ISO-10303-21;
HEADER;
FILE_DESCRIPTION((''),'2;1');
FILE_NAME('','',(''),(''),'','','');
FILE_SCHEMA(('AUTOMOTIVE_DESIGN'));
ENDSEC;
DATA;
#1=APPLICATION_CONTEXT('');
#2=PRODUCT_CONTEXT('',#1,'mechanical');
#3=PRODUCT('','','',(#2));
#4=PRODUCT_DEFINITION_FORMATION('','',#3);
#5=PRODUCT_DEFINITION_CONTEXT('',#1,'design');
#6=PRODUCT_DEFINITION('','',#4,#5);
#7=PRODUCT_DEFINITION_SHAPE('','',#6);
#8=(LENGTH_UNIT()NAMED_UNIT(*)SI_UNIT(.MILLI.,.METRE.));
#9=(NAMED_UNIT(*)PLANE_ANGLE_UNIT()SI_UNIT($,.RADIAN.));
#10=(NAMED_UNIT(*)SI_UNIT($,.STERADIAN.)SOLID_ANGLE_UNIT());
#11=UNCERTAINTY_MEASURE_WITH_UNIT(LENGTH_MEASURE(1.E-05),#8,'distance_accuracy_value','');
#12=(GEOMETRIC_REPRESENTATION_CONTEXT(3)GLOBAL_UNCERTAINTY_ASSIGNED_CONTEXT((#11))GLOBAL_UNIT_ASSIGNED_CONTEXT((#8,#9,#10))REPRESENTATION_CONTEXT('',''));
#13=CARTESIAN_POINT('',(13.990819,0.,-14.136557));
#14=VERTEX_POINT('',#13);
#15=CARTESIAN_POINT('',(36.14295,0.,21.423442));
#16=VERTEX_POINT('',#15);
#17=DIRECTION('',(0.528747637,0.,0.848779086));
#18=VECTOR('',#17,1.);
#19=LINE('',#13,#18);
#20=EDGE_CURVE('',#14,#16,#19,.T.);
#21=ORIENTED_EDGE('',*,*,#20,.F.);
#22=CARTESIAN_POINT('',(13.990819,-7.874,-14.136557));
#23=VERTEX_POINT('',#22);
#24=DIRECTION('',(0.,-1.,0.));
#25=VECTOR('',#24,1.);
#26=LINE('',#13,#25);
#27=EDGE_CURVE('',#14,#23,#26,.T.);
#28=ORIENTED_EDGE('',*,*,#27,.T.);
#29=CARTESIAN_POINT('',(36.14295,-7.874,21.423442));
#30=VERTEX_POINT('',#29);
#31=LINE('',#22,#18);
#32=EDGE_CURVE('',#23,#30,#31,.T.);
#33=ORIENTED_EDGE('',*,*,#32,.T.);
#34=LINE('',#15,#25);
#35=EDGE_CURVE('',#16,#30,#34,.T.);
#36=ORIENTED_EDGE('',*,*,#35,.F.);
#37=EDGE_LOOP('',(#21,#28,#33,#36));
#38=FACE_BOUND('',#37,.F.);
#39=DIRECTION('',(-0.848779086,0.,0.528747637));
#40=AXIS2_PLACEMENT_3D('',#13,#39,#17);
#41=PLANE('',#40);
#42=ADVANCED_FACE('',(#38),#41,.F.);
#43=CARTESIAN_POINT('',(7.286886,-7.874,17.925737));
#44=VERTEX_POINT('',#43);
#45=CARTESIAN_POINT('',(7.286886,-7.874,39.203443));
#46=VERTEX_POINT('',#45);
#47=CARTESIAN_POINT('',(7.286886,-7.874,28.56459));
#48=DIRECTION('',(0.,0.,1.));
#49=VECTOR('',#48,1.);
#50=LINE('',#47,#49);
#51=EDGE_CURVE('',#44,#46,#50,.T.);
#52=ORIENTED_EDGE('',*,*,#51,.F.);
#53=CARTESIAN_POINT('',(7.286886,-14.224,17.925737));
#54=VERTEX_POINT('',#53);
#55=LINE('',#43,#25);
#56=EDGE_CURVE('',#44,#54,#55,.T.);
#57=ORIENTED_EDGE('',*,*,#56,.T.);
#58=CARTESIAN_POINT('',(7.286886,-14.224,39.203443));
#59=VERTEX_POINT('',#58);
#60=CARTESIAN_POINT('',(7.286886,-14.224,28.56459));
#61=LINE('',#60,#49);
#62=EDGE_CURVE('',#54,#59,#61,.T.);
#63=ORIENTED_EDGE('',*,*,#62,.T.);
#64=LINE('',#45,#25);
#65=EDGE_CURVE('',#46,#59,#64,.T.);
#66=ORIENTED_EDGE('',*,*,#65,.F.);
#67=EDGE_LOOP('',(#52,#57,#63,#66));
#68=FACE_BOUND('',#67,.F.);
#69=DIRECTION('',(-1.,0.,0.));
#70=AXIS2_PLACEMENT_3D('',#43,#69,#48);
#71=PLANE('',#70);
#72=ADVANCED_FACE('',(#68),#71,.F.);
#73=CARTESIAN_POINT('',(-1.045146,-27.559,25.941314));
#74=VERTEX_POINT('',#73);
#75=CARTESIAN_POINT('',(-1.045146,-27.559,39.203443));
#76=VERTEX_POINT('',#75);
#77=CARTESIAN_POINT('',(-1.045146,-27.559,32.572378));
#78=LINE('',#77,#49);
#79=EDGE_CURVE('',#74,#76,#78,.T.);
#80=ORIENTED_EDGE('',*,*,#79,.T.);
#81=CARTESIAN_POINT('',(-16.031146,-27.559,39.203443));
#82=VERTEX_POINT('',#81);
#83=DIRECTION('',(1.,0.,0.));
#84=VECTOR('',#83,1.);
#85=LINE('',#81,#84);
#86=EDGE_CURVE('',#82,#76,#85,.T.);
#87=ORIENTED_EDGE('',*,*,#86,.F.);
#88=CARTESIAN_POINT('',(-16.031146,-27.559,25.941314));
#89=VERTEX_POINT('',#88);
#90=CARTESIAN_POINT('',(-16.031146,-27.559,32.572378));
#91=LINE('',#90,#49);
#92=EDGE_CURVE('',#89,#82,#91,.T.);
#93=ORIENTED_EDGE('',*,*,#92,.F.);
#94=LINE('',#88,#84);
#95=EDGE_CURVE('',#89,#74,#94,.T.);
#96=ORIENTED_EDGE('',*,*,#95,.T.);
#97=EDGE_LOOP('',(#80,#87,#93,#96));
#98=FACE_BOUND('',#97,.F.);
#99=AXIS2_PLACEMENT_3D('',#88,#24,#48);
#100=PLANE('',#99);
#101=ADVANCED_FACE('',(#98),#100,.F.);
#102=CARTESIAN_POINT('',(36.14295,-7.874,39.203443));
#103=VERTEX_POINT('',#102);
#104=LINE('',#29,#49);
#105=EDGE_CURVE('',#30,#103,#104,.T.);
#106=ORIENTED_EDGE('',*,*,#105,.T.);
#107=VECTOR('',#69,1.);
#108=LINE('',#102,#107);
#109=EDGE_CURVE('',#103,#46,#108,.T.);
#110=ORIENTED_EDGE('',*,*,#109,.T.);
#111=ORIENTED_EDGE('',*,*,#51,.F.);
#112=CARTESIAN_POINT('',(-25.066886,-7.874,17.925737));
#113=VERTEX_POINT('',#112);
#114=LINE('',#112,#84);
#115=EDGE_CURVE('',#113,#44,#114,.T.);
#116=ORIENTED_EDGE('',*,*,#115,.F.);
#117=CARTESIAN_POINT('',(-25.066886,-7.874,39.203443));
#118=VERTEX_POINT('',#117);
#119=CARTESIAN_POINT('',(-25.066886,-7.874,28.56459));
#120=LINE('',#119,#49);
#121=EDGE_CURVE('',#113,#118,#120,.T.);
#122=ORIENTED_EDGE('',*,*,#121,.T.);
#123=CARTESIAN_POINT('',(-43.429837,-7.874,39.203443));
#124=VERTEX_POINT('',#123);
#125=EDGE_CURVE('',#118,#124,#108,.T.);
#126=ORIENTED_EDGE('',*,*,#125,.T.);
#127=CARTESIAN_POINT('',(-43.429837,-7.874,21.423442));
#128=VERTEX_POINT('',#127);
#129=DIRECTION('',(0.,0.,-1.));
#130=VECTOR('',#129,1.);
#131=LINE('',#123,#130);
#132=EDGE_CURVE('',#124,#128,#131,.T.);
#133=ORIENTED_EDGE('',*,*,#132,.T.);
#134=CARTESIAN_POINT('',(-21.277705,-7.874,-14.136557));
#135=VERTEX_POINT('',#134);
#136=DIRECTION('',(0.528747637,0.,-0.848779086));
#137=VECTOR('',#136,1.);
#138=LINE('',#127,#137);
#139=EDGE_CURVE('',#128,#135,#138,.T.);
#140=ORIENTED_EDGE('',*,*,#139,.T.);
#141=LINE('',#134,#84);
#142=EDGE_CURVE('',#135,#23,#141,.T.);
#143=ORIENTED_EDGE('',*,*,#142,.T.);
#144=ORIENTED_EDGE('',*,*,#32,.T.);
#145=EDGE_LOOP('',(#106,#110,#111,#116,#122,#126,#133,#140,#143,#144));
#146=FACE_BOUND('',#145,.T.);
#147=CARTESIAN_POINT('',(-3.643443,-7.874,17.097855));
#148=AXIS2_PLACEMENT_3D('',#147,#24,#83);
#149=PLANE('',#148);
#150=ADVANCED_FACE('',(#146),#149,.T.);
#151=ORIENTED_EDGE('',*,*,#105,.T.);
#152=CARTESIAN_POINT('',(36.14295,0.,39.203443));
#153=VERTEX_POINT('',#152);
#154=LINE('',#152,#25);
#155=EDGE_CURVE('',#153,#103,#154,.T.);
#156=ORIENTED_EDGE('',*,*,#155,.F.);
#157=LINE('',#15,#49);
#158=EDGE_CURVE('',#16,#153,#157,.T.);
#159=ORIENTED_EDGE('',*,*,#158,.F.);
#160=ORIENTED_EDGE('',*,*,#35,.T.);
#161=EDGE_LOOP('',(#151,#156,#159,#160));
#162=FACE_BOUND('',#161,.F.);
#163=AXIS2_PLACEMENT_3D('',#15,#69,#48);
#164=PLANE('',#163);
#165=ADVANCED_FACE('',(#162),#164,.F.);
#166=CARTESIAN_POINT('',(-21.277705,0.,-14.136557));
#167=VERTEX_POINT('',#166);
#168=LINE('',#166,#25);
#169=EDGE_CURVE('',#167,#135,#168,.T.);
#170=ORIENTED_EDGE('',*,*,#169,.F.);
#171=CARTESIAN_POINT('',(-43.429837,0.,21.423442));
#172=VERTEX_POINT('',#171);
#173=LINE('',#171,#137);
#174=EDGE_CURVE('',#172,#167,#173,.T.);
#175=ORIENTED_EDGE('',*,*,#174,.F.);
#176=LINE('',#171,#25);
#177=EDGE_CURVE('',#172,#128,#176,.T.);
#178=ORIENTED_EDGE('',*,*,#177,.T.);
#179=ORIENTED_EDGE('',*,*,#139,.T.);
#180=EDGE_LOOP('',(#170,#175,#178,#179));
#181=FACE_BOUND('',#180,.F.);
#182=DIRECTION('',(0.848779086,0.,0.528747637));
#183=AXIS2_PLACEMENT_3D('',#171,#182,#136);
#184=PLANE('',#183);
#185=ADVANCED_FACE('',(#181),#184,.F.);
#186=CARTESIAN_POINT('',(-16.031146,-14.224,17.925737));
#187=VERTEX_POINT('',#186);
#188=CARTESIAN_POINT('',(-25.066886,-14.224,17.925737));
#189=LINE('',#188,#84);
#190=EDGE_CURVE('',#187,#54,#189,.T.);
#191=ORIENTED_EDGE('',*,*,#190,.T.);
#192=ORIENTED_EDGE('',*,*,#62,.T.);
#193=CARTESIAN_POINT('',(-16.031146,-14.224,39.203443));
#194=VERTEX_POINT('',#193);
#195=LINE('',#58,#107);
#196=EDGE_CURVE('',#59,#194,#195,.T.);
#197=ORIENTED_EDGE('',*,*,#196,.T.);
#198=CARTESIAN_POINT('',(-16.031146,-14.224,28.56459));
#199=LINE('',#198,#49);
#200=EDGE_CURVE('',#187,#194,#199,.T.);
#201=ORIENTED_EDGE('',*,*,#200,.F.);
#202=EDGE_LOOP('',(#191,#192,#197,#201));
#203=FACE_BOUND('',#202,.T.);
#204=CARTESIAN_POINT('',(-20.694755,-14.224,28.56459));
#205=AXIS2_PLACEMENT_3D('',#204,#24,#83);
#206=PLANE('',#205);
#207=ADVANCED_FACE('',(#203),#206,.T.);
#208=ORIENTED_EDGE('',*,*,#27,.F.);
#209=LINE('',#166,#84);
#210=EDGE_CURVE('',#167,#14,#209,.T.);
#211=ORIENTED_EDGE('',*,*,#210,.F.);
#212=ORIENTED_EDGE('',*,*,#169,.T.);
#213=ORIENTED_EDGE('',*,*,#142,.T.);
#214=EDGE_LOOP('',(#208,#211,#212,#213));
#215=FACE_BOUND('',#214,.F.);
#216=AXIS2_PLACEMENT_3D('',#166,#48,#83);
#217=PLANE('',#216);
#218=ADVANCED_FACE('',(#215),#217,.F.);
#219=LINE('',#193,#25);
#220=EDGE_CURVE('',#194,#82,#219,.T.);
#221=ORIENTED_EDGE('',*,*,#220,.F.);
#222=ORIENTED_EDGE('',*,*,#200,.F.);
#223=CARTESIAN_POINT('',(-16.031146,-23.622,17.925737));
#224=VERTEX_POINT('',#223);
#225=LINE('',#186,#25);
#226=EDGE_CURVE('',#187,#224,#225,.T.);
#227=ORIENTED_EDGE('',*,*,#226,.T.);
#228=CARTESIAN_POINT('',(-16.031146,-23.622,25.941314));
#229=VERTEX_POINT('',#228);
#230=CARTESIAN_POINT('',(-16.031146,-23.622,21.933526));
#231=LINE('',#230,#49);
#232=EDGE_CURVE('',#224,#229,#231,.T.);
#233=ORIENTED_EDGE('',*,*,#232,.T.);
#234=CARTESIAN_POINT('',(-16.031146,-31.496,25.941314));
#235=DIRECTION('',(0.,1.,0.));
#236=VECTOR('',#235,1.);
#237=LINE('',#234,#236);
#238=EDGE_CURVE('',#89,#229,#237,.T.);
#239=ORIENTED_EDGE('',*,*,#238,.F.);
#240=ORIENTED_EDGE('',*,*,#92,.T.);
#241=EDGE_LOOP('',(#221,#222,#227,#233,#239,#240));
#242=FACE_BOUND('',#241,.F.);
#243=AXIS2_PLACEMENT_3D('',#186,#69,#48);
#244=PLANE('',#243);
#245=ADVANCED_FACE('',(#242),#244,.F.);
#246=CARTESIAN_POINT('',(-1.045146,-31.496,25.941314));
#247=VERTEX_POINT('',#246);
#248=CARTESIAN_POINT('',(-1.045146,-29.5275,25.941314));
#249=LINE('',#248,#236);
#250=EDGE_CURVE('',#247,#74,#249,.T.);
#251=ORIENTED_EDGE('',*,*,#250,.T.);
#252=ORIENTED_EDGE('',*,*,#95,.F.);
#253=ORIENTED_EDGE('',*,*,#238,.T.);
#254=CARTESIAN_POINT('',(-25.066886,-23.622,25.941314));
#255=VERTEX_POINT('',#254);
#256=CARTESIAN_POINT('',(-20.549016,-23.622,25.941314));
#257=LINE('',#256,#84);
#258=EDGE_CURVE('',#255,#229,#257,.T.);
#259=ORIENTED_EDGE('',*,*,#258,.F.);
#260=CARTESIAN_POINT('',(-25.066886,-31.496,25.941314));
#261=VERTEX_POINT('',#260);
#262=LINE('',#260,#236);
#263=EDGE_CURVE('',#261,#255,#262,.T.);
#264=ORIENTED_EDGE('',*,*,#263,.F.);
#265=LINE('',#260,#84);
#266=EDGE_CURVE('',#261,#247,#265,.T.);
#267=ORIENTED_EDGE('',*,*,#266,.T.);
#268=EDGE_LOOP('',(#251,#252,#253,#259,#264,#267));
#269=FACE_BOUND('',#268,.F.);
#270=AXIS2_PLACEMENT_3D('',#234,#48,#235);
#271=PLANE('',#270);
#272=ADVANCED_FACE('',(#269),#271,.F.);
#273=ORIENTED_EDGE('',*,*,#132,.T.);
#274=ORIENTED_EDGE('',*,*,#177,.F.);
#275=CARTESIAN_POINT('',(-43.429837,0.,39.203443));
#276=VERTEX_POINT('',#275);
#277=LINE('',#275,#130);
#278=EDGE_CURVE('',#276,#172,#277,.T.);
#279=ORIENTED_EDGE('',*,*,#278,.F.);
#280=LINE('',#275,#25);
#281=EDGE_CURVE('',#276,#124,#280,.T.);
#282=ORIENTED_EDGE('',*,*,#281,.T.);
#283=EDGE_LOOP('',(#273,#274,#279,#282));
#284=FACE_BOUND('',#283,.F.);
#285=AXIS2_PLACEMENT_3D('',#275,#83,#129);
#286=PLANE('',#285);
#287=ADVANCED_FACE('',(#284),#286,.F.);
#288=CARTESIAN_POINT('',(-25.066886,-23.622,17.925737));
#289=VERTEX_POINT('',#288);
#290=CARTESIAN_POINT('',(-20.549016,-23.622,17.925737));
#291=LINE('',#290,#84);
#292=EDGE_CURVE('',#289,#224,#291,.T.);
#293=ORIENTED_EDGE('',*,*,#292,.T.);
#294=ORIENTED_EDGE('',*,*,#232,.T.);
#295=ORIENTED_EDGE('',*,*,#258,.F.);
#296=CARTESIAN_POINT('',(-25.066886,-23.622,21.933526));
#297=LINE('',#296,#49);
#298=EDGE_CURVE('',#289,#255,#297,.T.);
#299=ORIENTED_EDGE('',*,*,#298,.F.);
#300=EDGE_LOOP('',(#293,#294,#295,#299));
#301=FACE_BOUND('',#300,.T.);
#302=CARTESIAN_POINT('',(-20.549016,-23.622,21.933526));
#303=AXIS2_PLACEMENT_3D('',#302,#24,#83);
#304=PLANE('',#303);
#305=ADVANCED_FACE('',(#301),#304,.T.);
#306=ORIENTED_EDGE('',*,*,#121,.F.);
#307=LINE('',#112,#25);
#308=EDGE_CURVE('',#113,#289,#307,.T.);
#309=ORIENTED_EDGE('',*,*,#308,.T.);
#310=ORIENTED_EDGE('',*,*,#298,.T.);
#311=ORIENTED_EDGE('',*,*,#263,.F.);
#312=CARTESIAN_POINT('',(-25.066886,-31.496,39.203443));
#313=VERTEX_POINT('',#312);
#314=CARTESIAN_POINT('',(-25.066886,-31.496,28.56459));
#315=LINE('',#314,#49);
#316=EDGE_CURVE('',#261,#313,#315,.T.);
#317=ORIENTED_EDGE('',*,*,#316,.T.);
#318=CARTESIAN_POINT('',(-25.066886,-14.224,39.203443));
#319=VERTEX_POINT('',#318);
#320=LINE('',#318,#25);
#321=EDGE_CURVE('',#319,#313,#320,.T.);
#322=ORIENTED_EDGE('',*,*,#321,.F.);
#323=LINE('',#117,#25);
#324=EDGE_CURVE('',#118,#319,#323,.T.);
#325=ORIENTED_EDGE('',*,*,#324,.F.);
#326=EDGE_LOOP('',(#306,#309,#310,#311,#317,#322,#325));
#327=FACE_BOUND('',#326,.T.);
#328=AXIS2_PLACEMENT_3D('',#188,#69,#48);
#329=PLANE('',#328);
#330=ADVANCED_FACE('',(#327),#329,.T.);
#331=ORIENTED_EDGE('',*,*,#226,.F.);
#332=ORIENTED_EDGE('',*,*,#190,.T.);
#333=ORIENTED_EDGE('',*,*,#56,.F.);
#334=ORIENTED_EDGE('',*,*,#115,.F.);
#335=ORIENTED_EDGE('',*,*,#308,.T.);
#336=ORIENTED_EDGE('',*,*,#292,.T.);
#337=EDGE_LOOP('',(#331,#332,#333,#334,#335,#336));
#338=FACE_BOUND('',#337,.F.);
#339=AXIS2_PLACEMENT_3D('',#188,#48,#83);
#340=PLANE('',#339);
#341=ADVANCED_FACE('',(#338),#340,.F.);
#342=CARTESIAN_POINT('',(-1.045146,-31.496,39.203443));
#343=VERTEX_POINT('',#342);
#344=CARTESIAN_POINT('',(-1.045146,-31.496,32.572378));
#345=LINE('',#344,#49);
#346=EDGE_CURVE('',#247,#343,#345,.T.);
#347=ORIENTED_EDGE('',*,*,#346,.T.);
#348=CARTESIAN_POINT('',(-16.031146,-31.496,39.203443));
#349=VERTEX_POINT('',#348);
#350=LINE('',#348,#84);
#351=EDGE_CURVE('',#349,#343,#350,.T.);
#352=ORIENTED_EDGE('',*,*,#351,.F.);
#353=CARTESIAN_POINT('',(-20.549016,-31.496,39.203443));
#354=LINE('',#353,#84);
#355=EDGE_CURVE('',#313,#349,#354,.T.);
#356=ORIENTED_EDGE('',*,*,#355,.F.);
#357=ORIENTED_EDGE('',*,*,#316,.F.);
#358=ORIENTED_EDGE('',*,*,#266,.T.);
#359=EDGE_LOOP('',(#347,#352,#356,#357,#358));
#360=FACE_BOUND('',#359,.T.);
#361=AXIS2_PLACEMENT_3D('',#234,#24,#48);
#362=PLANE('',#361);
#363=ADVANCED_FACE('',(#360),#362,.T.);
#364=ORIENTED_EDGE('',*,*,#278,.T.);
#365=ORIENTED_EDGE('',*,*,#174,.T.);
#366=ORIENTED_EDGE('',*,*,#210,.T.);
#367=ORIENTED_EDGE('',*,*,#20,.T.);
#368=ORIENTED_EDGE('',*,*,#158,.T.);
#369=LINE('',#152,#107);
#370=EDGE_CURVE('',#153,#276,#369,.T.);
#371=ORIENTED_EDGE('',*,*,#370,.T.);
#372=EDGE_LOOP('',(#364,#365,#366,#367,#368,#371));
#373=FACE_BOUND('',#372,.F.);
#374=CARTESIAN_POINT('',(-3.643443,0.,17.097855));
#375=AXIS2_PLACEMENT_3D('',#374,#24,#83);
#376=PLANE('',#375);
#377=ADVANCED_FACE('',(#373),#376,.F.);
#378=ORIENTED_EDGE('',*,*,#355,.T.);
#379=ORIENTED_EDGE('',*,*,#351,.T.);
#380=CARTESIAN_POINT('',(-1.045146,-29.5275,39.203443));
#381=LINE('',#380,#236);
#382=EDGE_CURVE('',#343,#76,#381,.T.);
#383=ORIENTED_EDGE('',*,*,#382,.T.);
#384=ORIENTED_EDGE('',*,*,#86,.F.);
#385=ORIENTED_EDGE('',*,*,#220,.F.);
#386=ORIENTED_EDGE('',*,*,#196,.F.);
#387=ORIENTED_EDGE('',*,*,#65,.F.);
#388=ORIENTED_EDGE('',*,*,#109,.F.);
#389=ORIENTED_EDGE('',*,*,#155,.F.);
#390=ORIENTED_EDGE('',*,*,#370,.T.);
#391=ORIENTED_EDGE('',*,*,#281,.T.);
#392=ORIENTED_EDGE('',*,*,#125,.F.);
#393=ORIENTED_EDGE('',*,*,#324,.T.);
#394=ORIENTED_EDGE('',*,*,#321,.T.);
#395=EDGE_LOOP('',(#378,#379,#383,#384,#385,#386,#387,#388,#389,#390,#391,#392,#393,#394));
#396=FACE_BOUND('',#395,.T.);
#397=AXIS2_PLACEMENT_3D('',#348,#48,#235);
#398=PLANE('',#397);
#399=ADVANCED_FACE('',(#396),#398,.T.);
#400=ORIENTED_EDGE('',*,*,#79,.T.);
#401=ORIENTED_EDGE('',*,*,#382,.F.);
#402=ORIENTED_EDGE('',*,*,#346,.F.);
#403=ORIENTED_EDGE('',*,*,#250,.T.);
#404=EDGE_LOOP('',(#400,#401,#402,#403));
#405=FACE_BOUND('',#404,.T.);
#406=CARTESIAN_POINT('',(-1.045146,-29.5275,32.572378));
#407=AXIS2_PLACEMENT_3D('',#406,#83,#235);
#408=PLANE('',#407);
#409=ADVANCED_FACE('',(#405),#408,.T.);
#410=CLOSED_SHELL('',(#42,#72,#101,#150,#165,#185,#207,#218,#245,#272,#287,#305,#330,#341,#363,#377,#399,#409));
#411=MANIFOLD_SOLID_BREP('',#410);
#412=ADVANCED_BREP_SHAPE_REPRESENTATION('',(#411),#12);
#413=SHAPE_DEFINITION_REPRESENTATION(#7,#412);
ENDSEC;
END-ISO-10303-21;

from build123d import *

# Parameters (mm, degrees)
F1_DEPTH = 7.874
F2_W     = 8.7442621589
F2_H     = 21.2777052075
F2_W_2   = 23.6095096916
F3_DEPTH = 6.35
F4_W     = 9.0357400477
F4_H     = 21.2777052075
F5_DEPTH = 17.272
F6_W     = 9.0357400477
F6_H     = 8.01557675
F7_DEPTH = 7.874
F8_W     = 3.937
F8_H     = 13.2621284574
F9_DEPTH = 14.986


with BuildPart() as f1:
    # F0 (on Front) → F1 (new body)
    with BuildSketch(Plane.XZ):
        Polygon((36.1429499462, 39.2034426332), (-43.4298366308, 39.2034426332), (-43.4298366308, 21.4234422892), (-21.2777052075, -14.1365574673), (13.9908185229, -14.1365574673), (36.1429499462, 21.4234422892), align=None)
    extrude(amount=F1_DEPTH)

    # F2 (on face) → F3 (join)
    with BuildSketch(Plane.XZ.offset(7.874)):
        with Locations((-20.6947550178, 28.5645900294)):
            Rectangle(F2_W, F2_H)
        with Locations((-4.5178690925, 28.5645900294)):
            Rectangle(F2_W_2, F2_H)
    extrude(amount=F3_DEPTH)

    # F4 (on face) → F5 (join)
    with BuildSketch(Plane.XZ.offset(14.224)):
        with Locations((-20.5490160733, 28.5645900294)):
            Rectangle(F4_W, F4_H)
    extrude(amount=F5_DEPTH)

    # F6 (on face) → F7 (cut)
    with BuildSketch(Plane.XZ.offset(31.496)):
        with Locations((-20.5490160733, 21.9335258007)):
            Rectangle(F6_W, F6_H)
    extrude(amount=-F7_DEPTH, mode=Mode.SUBTRACT)

    # F8 (on face) → F9 (join)
    with BuildSketch(Plane.YZ.offset(-16.0311460495)):
        with Locations((-29.5275, 32.5723784044)):
            Rectangle(F8_W, F8_H)
    extrude(amount=F9_DEPTH)


solid = f1.part
